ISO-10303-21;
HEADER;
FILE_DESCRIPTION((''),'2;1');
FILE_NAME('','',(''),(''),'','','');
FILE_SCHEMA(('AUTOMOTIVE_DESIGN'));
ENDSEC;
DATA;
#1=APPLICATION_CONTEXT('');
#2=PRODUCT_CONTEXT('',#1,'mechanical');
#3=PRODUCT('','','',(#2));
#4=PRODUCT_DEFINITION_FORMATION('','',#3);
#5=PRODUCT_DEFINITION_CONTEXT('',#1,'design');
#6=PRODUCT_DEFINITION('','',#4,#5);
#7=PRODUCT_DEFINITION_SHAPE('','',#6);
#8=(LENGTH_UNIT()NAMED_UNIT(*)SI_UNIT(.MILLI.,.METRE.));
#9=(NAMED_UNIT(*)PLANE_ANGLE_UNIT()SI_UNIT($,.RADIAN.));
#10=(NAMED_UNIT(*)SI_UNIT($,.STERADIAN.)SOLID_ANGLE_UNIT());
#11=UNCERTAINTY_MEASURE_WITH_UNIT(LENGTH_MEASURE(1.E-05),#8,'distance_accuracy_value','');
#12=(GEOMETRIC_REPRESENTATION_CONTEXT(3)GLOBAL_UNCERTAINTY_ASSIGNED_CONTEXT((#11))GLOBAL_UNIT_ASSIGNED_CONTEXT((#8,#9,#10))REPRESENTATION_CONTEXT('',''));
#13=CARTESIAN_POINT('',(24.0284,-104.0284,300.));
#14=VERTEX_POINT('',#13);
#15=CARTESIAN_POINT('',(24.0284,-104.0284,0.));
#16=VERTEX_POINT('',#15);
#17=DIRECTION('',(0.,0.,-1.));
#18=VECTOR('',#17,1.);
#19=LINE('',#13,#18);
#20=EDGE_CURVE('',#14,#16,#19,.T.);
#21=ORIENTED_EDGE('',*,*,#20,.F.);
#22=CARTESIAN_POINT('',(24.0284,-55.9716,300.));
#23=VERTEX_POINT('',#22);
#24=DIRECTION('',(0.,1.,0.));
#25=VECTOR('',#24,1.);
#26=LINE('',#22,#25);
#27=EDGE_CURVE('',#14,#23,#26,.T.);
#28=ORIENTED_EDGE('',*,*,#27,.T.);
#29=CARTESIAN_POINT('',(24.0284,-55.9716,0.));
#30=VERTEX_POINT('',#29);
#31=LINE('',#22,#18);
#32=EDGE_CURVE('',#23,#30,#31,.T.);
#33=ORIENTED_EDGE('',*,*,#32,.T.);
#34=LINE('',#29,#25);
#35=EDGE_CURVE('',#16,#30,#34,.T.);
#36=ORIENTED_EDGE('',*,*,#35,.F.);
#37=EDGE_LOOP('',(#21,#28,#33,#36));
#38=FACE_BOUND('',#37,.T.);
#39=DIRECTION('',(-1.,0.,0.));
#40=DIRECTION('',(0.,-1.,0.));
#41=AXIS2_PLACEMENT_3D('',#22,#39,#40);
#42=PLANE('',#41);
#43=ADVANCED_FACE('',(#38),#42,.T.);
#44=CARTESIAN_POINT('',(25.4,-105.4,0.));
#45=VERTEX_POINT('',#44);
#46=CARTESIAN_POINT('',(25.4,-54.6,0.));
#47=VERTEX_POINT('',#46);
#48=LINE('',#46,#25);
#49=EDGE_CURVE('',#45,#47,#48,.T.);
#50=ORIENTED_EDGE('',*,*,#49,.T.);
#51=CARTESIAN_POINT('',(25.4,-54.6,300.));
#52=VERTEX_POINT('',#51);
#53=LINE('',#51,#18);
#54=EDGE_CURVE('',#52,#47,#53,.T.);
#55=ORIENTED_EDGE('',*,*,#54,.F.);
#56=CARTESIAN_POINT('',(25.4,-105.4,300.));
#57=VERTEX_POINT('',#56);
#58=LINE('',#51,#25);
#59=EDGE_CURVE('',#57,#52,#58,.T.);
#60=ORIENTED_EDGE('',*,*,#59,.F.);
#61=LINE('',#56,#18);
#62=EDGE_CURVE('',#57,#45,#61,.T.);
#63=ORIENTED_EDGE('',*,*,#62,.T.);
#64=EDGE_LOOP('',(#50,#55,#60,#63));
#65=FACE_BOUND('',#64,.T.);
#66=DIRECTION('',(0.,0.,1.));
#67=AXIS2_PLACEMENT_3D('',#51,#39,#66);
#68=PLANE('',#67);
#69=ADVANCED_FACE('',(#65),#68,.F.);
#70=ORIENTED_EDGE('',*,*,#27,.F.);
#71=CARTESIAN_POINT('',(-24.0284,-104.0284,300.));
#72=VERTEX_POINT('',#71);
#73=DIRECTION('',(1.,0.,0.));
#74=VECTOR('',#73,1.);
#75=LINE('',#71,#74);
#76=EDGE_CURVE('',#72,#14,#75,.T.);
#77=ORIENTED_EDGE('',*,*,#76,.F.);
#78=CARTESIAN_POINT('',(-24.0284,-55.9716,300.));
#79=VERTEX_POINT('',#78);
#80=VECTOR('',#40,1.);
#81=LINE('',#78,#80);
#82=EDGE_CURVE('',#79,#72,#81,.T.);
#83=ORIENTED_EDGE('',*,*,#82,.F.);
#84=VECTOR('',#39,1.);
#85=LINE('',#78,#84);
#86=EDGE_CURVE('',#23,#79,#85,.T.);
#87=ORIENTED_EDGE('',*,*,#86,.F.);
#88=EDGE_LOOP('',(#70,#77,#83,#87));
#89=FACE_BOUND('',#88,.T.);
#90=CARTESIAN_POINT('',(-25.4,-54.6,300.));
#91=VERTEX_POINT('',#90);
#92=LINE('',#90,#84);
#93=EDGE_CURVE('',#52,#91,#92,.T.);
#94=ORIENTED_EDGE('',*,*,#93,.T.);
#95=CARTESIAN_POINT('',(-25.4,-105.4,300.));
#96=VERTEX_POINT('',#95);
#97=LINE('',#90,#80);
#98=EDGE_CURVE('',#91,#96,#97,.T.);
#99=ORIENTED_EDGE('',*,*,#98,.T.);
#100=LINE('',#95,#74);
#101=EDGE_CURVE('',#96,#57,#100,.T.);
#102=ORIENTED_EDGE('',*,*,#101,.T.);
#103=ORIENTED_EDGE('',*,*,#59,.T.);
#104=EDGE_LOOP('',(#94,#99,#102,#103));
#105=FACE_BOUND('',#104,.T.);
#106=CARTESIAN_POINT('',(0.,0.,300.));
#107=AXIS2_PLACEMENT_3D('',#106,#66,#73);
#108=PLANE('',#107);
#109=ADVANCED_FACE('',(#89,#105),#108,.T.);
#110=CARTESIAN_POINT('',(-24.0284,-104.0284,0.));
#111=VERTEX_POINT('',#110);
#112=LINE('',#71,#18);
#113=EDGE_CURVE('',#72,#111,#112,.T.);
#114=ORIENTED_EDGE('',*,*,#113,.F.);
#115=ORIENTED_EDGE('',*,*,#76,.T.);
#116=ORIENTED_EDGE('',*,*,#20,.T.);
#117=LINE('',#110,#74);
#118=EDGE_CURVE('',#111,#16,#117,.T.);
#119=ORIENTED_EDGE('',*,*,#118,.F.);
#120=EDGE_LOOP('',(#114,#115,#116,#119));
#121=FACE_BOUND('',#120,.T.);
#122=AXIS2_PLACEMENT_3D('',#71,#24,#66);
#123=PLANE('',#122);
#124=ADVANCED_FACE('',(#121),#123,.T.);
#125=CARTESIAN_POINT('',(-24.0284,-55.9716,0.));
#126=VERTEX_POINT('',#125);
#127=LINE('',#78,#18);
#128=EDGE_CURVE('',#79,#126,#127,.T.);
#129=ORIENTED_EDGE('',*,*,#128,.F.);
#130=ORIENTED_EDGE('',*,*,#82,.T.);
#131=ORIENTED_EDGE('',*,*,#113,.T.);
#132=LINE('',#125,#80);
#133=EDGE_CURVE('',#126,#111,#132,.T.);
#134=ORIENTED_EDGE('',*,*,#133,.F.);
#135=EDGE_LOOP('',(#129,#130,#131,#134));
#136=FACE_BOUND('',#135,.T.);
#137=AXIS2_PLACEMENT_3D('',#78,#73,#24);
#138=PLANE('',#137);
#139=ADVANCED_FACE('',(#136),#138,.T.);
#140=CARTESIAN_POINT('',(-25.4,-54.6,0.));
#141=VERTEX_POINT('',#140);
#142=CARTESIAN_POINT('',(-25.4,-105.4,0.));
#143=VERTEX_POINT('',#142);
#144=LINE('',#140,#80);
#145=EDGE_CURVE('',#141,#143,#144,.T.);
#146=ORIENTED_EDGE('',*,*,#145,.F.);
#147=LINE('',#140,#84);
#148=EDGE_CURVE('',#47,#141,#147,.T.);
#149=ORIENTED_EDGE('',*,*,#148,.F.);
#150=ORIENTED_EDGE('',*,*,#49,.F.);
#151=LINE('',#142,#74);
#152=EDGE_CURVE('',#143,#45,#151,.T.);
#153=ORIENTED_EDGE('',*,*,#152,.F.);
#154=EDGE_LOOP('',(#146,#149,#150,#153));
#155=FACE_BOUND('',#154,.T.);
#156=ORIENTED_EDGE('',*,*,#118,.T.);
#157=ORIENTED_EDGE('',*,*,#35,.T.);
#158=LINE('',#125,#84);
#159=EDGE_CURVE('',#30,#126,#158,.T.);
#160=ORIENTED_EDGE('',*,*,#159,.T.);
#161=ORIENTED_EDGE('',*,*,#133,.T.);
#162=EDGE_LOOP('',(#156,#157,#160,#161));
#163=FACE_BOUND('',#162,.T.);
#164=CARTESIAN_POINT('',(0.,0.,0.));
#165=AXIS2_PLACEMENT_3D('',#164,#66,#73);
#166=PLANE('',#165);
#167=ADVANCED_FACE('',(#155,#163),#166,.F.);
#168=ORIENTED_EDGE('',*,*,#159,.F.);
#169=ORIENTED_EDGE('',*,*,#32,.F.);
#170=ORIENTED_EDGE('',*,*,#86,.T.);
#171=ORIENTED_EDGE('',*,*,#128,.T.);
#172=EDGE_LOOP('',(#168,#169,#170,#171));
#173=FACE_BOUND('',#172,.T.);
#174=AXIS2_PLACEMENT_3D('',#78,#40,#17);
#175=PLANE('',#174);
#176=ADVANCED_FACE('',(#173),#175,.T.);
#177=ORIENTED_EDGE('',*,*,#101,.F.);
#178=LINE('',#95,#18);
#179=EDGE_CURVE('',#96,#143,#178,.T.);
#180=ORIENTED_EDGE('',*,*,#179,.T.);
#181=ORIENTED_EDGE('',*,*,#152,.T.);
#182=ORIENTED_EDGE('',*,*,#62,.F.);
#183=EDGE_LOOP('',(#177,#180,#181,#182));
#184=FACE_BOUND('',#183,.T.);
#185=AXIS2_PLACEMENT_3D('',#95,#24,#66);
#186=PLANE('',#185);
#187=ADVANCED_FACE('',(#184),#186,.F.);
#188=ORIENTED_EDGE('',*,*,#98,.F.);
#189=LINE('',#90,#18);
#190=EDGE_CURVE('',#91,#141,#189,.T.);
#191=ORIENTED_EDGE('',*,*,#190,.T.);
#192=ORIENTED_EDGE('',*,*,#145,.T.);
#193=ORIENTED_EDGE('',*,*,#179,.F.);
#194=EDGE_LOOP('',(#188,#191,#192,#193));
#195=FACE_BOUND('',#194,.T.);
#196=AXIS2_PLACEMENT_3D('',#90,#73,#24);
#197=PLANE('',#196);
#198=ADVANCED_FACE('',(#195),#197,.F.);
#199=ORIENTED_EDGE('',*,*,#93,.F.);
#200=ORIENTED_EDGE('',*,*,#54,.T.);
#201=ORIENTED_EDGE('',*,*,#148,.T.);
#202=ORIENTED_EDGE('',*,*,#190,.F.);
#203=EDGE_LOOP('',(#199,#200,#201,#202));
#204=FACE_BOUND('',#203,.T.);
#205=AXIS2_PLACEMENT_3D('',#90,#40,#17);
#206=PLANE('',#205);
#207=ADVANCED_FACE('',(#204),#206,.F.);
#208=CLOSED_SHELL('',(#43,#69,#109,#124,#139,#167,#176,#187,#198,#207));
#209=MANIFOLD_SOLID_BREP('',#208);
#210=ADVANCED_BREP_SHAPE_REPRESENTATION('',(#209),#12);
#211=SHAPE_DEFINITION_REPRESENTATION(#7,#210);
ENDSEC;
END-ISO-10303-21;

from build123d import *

# Parameters (mm, degrees)
CROQUIS1_W              = 50.8
CROQUIS1_H              = 50.8
CROQUIS1_W_2            = 48.0568
CROQUIS1_H_2            = 48.0568
SALIENTE_EXTRUIR1_DEPTH = 300


with BuildPart() as part:
    # Croquis1 → Saliente-Extruir1 (new body)
    with BuildSketch(Plane.XY):
        with Locations((0, -80)):
            Rectangle(CROQUIS1_W, CROQUIS1_H)
        with Locations((0, -80)):
            Rectangle(CROQUIS1_W_2, CROQUIS1_H_2, mode=Mode.SUBTRACT)
    extrude(amount=SALIENTE_EXTRUIR1_DEPTH)


solid = part.part
